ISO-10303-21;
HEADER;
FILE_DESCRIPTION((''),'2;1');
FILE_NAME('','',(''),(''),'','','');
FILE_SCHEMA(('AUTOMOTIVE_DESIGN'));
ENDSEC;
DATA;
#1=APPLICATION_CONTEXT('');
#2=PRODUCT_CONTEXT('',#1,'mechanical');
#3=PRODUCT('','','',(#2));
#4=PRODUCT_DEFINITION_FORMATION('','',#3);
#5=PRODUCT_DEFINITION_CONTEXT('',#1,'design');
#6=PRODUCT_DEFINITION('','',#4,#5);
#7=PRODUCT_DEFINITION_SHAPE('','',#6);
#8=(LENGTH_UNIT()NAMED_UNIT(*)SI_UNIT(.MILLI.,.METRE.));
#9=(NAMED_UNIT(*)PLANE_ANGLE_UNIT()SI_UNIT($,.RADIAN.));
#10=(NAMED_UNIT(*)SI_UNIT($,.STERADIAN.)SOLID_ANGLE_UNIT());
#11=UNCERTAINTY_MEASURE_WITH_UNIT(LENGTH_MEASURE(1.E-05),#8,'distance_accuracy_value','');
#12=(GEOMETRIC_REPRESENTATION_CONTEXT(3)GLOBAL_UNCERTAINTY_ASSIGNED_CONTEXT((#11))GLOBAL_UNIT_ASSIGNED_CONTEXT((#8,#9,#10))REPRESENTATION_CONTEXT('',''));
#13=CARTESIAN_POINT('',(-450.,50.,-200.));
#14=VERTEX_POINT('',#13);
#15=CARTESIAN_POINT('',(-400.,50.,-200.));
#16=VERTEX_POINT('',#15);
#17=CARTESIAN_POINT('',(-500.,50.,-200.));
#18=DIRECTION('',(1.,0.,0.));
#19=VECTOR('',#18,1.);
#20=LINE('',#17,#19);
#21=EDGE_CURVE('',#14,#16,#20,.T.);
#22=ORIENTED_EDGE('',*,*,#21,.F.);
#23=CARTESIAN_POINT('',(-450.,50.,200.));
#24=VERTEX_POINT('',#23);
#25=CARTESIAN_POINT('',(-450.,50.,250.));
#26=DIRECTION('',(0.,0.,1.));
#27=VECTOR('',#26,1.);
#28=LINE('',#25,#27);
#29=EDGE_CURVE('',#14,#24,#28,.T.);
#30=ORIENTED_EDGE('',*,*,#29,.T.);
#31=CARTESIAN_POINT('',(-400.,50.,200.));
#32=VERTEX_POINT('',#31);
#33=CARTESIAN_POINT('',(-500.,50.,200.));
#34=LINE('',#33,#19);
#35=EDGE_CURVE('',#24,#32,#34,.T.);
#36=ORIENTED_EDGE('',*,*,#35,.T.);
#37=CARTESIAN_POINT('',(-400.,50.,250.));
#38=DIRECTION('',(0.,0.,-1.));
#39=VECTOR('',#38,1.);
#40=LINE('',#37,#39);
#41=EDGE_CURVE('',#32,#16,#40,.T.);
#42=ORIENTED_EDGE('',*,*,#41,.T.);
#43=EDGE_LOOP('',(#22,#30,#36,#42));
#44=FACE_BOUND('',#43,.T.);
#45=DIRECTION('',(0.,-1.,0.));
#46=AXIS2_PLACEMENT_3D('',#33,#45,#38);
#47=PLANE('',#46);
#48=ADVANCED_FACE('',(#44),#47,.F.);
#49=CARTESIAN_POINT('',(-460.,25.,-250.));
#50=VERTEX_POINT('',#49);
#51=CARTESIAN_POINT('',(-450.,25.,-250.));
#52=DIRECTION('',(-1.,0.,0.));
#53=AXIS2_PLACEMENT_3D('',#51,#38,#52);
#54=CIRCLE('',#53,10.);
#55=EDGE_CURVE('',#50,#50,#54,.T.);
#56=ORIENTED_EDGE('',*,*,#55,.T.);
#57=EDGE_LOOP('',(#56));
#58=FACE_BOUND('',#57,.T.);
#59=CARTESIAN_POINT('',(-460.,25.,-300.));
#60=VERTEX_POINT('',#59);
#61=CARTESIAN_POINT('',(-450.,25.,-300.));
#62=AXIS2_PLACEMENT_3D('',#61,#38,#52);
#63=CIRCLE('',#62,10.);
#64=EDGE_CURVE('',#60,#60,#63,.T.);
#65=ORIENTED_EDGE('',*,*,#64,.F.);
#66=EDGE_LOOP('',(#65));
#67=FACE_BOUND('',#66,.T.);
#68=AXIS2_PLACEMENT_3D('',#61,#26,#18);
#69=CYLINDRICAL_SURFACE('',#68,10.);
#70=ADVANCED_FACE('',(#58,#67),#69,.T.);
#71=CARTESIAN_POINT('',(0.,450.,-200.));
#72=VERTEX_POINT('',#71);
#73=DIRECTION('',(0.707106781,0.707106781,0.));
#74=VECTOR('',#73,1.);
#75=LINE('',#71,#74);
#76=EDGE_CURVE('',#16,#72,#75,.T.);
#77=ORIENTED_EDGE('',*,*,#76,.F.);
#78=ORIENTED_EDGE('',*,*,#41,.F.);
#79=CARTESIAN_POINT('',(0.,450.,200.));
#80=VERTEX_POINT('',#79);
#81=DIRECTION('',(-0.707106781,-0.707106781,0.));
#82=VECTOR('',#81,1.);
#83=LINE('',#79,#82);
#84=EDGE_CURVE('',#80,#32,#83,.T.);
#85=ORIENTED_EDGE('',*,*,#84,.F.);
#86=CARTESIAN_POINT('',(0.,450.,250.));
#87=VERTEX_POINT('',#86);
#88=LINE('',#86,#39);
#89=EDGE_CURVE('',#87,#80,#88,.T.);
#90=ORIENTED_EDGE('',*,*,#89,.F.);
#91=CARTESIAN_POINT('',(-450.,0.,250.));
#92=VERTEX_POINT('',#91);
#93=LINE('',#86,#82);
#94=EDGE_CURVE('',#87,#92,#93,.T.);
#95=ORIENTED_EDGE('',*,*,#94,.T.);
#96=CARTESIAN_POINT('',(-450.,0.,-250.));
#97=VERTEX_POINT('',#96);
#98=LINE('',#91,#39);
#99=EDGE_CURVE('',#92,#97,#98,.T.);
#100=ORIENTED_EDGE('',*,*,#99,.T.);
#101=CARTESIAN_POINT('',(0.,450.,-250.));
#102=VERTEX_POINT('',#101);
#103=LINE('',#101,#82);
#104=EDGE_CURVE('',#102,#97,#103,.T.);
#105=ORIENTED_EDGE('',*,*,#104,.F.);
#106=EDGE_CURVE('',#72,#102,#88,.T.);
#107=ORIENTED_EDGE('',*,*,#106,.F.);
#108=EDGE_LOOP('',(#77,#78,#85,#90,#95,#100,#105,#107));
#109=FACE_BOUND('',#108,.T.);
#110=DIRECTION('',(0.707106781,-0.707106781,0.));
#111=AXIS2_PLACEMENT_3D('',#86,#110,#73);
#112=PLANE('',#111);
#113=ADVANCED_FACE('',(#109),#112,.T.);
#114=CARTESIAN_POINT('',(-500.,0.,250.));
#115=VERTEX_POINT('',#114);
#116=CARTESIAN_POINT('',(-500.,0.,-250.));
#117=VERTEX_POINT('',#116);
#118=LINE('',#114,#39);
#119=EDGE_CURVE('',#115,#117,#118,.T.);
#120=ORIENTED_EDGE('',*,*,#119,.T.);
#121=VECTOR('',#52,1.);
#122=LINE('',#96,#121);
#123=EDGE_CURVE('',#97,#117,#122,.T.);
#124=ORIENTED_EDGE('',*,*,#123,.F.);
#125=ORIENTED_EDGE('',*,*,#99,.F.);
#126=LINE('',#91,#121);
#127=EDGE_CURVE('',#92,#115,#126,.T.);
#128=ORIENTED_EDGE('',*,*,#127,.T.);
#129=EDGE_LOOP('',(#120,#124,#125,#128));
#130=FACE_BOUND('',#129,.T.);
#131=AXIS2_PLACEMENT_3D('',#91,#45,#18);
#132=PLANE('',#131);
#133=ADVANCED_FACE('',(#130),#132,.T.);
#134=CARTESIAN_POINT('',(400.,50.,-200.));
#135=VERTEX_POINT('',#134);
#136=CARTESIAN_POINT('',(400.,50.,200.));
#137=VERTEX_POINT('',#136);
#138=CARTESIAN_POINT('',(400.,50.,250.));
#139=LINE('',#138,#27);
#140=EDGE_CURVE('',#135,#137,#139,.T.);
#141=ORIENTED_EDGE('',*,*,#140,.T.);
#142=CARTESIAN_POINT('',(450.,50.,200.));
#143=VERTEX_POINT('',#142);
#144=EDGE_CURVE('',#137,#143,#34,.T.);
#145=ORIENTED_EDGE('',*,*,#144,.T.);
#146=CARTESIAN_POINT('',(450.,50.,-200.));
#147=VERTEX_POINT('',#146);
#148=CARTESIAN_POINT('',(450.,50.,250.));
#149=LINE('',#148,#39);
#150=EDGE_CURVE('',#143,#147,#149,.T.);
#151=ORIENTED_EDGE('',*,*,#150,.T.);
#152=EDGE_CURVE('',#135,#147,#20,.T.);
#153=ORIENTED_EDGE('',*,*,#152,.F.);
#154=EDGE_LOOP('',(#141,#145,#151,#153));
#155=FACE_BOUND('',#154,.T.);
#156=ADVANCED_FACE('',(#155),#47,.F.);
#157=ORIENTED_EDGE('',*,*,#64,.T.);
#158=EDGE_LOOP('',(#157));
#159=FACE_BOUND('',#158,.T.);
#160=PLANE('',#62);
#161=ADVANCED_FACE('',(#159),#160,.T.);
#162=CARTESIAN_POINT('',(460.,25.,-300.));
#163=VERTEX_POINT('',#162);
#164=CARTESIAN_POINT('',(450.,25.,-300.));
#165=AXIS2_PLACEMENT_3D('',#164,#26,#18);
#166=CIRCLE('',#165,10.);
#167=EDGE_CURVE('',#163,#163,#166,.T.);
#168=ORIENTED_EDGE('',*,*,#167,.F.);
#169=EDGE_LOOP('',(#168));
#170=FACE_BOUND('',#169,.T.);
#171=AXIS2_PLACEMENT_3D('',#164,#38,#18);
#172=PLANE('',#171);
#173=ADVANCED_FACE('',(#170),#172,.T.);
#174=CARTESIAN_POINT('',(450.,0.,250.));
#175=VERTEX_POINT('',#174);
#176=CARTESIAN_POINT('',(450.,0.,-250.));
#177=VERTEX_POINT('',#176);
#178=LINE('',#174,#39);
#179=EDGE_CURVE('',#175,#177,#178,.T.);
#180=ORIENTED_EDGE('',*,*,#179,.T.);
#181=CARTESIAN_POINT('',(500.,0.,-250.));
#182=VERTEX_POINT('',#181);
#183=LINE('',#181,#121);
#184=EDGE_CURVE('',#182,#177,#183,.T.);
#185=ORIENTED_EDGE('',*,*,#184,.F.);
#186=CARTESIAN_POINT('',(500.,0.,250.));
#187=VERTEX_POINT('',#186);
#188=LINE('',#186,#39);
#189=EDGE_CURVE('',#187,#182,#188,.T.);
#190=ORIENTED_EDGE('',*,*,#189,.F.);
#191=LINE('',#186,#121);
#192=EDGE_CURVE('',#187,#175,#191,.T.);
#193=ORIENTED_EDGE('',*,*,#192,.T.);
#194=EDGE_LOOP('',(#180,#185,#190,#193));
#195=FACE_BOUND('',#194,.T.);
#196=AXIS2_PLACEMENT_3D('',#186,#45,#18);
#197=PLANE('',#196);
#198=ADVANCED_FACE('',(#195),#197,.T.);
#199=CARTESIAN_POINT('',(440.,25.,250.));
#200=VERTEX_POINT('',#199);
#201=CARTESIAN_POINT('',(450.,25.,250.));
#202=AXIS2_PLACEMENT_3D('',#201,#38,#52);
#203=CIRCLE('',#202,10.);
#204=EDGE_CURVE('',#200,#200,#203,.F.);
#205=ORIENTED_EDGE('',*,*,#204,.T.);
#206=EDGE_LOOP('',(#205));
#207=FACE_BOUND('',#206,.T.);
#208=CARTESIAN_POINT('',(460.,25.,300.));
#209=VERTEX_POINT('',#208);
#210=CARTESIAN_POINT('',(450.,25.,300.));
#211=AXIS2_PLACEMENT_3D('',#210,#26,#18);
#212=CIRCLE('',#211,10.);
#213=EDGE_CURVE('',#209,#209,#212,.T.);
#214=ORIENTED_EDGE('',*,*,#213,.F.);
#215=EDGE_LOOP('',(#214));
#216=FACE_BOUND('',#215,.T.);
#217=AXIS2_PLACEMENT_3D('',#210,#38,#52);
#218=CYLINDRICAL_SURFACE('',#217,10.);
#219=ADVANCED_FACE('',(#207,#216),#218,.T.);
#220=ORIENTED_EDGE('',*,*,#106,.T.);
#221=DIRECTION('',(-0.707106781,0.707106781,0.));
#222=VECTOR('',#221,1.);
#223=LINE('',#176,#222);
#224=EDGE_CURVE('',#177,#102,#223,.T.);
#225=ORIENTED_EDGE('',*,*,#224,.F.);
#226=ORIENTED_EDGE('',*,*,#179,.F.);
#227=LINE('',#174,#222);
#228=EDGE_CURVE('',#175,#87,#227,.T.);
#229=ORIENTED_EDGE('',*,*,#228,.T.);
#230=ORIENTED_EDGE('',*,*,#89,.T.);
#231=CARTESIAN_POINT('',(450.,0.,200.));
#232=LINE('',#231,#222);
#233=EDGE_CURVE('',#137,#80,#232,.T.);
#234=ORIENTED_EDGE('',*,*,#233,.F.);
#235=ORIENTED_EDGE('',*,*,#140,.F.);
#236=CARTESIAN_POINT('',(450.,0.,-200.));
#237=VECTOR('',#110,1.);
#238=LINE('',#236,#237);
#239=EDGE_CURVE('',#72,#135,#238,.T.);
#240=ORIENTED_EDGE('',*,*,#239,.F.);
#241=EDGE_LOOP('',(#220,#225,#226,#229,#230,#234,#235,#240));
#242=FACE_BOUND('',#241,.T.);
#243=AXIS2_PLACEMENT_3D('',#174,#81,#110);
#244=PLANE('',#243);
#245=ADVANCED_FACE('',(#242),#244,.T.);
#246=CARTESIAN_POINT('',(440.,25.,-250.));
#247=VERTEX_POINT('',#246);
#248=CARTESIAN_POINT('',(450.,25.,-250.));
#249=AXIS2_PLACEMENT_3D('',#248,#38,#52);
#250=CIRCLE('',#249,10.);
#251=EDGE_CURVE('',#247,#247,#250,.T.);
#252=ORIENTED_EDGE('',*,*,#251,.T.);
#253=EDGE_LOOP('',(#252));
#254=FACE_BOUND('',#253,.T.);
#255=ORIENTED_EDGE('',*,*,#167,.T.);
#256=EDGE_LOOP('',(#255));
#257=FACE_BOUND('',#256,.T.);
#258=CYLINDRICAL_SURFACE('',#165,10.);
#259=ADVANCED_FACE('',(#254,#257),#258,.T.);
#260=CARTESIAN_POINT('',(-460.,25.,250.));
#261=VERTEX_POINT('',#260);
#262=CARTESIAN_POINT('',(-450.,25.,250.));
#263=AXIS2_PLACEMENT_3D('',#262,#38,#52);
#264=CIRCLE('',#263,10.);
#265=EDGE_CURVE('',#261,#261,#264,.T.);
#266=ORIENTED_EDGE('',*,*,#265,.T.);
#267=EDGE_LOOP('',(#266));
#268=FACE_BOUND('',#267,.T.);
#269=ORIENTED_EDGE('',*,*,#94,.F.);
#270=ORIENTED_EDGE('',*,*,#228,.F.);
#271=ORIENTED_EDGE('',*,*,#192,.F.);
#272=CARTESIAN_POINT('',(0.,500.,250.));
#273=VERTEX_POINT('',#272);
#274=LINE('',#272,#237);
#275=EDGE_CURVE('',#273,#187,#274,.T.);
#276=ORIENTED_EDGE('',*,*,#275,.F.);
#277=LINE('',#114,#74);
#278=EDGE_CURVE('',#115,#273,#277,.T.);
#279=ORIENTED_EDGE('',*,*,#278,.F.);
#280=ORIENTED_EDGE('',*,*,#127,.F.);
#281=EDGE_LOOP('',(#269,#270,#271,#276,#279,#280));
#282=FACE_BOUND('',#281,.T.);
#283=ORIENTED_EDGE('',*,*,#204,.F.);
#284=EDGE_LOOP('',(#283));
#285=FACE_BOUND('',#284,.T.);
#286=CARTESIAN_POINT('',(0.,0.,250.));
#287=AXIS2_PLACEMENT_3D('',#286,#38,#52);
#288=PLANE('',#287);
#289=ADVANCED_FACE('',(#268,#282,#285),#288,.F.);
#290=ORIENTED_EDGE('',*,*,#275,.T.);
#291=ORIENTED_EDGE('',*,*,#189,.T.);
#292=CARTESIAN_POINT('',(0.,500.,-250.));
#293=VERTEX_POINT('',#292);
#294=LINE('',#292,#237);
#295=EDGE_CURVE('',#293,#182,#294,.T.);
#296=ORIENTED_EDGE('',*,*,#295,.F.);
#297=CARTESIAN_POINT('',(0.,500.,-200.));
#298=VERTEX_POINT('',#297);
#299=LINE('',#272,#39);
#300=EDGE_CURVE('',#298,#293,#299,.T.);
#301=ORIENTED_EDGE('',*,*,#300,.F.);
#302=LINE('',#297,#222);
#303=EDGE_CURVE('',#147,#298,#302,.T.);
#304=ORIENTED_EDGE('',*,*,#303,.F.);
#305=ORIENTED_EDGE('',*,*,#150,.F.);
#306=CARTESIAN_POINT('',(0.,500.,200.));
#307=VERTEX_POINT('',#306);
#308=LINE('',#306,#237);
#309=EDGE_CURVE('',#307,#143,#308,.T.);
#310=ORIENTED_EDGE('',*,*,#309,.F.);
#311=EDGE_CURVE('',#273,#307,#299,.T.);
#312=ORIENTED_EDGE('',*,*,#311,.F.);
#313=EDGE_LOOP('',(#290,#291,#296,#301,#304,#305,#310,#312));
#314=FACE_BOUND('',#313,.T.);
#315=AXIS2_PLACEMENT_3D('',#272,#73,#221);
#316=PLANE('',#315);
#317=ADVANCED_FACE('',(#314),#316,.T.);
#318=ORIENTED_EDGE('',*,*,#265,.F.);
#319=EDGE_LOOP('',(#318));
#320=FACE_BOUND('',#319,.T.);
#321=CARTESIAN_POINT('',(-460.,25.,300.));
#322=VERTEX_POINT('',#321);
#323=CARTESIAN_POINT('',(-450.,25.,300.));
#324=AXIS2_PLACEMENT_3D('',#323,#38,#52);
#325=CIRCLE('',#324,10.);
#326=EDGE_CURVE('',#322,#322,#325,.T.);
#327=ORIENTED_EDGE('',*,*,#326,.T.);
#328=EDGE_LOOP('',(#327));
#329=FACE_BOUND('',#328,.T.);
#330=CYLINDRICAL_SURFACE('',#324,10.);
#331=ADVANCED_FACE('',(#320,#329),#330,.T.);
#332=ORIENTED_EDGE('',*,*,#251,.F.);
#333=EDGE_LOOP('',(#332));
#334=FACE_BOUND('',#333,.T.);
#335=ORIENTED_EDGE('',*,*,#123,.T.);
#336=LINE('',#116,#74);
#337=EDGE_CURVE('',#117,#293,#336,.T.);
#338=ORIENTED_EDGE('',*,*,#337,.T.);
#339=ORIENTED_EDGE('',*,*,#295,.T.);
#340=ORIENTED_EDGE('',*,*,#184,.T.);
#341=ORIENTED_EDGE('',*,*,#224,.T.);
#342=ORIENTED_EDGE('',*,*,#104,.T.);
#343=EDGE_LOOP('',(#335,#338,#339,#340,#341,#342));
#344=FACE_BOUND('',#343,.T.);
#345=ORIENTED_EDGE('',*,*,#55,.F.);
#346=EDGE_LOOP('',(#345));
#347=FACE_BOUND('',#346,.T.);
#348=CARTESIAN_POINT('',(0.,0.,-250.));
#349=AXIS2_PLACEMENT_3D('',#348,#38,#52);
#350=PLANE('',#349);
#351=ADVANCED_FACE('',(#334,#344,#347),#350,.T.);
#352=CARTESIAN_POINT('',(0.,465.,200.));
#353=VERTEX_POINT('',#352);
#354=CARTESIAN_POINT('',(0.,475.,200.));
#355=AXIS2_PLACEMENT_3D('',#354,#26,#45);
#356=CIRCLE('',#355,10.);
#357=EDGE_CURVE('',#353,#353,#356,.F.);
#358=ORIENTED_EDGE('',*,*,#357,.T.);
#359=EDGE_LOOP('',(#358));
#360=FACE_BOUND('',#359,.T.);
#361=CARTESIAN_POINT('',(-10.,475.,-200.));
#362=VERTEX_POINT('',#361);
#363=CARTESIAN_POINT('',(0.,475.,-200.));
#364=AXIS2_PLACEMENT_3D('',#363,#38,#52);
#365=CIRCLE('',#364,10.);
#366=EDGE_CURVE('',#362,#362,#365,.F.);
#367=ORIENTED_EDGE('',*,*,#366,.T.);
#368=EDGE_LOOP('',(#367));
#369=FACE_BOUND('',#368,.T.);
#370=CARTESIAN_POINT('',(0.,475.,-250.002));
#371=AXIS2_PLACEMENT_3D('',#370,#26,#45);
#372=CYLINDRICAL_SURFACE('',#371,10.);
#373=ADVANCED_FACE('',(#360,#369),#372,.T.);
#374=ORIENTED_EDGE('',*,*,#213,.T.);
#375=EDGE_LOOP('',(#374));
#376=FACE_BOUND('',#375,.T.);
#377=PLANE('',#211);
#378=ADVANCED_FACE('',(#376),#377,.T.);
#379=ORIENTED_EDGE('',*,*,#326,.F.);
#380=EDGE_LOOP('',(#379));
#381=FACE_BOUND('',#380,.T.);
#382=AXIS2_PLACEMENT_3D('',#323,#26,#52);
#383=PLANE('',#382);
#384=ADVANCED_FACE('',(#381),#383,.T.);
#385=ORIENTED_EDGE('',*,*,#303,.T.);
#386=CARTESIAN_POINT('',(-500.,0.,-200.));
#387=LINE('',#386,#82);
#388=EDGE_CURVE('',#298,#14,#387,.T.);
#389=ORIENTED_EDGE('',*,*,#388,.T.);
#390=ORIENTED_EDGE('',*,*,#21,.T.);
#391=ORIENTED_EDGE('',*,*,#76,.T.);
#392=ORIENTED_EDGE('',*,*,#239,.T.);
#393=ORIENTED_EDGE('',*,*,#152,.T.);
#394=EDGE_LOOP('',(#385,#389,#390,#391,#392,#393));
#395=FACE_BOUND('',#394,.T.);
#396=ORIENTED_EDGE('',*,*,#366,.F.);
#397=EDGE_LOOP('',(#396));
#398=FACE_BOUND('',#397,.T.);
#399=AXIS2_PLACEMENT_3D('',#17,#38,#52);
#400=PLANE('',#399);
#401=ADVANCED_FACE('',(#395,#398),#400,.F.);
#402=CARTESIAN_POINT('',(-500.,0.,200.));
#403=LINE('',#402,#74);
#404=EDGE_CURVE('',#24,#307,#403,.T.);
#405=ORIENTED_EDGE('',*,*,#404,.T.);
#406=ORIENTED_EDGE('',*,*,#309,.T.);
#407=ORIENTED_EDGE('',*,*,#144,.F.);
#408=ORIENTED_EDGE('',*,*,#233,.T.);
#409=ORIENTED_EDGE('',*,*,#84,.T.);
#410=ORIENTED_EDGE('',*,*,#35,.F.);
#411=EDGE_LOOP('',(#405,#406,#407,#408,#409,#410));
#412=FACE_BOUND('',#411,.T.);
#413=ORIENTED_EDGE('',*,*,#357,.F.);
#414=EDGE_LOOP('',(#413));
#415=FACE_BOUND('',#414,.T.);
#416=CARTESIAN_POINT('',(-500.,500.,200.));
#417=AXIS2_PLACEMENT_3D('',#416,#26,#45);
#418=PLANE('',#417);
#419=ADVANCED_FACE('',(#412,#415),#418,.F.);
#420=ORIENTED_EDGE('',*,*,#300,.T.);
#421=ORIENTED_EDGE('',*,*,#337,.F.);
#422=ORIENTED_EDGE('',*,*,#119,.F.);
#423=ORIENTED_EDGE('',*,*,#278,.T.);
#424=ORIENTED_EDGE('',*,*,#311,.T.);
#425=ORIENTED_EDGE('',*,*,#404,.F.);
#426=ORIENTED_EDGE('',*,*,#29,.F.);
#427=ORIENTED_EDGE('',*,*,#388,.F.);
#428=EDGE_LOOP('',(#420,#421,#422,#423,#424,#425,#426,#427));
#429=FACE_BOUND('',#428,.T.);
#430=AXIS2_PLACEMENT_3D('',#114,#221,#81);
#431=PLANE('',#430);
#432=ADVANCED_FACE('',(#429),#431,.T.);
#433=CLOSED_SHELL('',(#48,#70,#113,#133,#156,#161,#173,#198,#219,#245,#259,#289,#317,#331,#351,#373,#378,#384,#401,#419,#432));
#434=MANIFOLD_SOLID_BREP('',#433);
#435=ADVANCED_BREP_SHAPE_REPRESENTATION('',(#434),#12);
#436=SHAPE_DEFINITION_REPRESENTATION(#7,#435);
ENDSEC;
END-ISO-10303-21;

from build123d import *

# Parameters (mm, degrees)
BOSS_EXTRUDE2_DEPTH     = 250
CUT_EXTRUDE1_DEPTH      = 751
CUT_EXTRUDE1_DEPTH_BACK = 751
SKETCH4_W               = 400
SKETCH4_H               = 450
BOSS_EXTRUDE3_REACH     = 840.153
SKETCH6_R               = 10
SKETCH7_R               = 10
BOSS_EXTRUDE4_DEPTH     = 50
MIRROR2_COPY_1_SKETCH_R = 10
MIRROR2_COPY_1_DEPTH    = 50


with BuildPart() as part:
    # Sketch2 → Boss-Extrude2 (new, symmetric)
    with BuildSketch(Plane.XY):
        Polygon((-500, 0), (0, 500), (500, 0), (450, 0), (0, 450), (-450, 0), align=None)
    extrude(amount=BOSS_EXTRUDE2_DEPTH, both=True)

    # Sketch4 → Cut-Extrude1 (cut, two sides: drawn at the far end of the back side and taken through both)
    with BuildSketch(Plane(origin=(0, 0, 0), x_dir=(0, 0, -1), z_dir=(1, 0, 0)).offset(-CUT_EXTRUDE1_DEPTH_BACK)):
        with Locations((0, 275)):
            Rectangle(SKETCH4_W, SKETCH4_H)
    extrude(amount=CUT_EXTRUDE1_DEPTH + CUT_EXTRUDE1_DEPTH_BACK, mode=Mode.SUBTRACT)

    # Sketch6 → Boss-Extrude3 (add, up to next)
    with BuildSketch(Plane(origin=(0, 0, 200), x_dir=(-1, 0, 0), z_dir=(0, 0, -1)), mode=Mode.PRIVATE) as boss_extrude3_sk1:
        with Locations(Location((0, 475, 0), (0, 0, 270))):
            Circle(SKETCH6_R)
    boss_extrude3_tool1 = extrude(boss_extrude3_sk1.sketch, amount=BOSS_EXTRUDE3_REACH, mode=Mode.PRIVATE) - part.part
    add(boss_extrude3_tool1.solids().sort_by_distance((0, 475, 200))[0])

    # Sketch7 → Boss-Extrude4 (add)
    with BuildSketch(Plane.XY.offset(250)):
        with Locations(Location((450, 25, 0), (0, 0, 180))):
            Circle(SKETCH7_R)
    boss_extrude4 = extrude(amount=BOSS_EXTRUDE4_DEPTH)

    # Mirror1: Boss-Extrude4 across plane
    add(boss_extrude4.mirror(Plane.XY))

    # Mirror2: Boss-Extrude4 across plane
    add(boss_extrude4.mirror(Plane(origin=(0, 0, 0), x_dir=(0, 0, 1), z_dir=(1, 0, 0))))

    # Mirror2 copy 1 sketch → Mirror2 copy 1 (add)
    with BuildSketch(Plane(origin=(0, 0, -250), x_dir=(-1, 0, 0), z_dir=(0, 0, -1))):
        with Locations(Location((450, 25, 0), (0, 0, 180))):
            Circle(MIRROR2_COPY_1_SKETCH_R)
    extrude(amount=MIRROR2_COPY_1_DEPTH)


solid = part.part
